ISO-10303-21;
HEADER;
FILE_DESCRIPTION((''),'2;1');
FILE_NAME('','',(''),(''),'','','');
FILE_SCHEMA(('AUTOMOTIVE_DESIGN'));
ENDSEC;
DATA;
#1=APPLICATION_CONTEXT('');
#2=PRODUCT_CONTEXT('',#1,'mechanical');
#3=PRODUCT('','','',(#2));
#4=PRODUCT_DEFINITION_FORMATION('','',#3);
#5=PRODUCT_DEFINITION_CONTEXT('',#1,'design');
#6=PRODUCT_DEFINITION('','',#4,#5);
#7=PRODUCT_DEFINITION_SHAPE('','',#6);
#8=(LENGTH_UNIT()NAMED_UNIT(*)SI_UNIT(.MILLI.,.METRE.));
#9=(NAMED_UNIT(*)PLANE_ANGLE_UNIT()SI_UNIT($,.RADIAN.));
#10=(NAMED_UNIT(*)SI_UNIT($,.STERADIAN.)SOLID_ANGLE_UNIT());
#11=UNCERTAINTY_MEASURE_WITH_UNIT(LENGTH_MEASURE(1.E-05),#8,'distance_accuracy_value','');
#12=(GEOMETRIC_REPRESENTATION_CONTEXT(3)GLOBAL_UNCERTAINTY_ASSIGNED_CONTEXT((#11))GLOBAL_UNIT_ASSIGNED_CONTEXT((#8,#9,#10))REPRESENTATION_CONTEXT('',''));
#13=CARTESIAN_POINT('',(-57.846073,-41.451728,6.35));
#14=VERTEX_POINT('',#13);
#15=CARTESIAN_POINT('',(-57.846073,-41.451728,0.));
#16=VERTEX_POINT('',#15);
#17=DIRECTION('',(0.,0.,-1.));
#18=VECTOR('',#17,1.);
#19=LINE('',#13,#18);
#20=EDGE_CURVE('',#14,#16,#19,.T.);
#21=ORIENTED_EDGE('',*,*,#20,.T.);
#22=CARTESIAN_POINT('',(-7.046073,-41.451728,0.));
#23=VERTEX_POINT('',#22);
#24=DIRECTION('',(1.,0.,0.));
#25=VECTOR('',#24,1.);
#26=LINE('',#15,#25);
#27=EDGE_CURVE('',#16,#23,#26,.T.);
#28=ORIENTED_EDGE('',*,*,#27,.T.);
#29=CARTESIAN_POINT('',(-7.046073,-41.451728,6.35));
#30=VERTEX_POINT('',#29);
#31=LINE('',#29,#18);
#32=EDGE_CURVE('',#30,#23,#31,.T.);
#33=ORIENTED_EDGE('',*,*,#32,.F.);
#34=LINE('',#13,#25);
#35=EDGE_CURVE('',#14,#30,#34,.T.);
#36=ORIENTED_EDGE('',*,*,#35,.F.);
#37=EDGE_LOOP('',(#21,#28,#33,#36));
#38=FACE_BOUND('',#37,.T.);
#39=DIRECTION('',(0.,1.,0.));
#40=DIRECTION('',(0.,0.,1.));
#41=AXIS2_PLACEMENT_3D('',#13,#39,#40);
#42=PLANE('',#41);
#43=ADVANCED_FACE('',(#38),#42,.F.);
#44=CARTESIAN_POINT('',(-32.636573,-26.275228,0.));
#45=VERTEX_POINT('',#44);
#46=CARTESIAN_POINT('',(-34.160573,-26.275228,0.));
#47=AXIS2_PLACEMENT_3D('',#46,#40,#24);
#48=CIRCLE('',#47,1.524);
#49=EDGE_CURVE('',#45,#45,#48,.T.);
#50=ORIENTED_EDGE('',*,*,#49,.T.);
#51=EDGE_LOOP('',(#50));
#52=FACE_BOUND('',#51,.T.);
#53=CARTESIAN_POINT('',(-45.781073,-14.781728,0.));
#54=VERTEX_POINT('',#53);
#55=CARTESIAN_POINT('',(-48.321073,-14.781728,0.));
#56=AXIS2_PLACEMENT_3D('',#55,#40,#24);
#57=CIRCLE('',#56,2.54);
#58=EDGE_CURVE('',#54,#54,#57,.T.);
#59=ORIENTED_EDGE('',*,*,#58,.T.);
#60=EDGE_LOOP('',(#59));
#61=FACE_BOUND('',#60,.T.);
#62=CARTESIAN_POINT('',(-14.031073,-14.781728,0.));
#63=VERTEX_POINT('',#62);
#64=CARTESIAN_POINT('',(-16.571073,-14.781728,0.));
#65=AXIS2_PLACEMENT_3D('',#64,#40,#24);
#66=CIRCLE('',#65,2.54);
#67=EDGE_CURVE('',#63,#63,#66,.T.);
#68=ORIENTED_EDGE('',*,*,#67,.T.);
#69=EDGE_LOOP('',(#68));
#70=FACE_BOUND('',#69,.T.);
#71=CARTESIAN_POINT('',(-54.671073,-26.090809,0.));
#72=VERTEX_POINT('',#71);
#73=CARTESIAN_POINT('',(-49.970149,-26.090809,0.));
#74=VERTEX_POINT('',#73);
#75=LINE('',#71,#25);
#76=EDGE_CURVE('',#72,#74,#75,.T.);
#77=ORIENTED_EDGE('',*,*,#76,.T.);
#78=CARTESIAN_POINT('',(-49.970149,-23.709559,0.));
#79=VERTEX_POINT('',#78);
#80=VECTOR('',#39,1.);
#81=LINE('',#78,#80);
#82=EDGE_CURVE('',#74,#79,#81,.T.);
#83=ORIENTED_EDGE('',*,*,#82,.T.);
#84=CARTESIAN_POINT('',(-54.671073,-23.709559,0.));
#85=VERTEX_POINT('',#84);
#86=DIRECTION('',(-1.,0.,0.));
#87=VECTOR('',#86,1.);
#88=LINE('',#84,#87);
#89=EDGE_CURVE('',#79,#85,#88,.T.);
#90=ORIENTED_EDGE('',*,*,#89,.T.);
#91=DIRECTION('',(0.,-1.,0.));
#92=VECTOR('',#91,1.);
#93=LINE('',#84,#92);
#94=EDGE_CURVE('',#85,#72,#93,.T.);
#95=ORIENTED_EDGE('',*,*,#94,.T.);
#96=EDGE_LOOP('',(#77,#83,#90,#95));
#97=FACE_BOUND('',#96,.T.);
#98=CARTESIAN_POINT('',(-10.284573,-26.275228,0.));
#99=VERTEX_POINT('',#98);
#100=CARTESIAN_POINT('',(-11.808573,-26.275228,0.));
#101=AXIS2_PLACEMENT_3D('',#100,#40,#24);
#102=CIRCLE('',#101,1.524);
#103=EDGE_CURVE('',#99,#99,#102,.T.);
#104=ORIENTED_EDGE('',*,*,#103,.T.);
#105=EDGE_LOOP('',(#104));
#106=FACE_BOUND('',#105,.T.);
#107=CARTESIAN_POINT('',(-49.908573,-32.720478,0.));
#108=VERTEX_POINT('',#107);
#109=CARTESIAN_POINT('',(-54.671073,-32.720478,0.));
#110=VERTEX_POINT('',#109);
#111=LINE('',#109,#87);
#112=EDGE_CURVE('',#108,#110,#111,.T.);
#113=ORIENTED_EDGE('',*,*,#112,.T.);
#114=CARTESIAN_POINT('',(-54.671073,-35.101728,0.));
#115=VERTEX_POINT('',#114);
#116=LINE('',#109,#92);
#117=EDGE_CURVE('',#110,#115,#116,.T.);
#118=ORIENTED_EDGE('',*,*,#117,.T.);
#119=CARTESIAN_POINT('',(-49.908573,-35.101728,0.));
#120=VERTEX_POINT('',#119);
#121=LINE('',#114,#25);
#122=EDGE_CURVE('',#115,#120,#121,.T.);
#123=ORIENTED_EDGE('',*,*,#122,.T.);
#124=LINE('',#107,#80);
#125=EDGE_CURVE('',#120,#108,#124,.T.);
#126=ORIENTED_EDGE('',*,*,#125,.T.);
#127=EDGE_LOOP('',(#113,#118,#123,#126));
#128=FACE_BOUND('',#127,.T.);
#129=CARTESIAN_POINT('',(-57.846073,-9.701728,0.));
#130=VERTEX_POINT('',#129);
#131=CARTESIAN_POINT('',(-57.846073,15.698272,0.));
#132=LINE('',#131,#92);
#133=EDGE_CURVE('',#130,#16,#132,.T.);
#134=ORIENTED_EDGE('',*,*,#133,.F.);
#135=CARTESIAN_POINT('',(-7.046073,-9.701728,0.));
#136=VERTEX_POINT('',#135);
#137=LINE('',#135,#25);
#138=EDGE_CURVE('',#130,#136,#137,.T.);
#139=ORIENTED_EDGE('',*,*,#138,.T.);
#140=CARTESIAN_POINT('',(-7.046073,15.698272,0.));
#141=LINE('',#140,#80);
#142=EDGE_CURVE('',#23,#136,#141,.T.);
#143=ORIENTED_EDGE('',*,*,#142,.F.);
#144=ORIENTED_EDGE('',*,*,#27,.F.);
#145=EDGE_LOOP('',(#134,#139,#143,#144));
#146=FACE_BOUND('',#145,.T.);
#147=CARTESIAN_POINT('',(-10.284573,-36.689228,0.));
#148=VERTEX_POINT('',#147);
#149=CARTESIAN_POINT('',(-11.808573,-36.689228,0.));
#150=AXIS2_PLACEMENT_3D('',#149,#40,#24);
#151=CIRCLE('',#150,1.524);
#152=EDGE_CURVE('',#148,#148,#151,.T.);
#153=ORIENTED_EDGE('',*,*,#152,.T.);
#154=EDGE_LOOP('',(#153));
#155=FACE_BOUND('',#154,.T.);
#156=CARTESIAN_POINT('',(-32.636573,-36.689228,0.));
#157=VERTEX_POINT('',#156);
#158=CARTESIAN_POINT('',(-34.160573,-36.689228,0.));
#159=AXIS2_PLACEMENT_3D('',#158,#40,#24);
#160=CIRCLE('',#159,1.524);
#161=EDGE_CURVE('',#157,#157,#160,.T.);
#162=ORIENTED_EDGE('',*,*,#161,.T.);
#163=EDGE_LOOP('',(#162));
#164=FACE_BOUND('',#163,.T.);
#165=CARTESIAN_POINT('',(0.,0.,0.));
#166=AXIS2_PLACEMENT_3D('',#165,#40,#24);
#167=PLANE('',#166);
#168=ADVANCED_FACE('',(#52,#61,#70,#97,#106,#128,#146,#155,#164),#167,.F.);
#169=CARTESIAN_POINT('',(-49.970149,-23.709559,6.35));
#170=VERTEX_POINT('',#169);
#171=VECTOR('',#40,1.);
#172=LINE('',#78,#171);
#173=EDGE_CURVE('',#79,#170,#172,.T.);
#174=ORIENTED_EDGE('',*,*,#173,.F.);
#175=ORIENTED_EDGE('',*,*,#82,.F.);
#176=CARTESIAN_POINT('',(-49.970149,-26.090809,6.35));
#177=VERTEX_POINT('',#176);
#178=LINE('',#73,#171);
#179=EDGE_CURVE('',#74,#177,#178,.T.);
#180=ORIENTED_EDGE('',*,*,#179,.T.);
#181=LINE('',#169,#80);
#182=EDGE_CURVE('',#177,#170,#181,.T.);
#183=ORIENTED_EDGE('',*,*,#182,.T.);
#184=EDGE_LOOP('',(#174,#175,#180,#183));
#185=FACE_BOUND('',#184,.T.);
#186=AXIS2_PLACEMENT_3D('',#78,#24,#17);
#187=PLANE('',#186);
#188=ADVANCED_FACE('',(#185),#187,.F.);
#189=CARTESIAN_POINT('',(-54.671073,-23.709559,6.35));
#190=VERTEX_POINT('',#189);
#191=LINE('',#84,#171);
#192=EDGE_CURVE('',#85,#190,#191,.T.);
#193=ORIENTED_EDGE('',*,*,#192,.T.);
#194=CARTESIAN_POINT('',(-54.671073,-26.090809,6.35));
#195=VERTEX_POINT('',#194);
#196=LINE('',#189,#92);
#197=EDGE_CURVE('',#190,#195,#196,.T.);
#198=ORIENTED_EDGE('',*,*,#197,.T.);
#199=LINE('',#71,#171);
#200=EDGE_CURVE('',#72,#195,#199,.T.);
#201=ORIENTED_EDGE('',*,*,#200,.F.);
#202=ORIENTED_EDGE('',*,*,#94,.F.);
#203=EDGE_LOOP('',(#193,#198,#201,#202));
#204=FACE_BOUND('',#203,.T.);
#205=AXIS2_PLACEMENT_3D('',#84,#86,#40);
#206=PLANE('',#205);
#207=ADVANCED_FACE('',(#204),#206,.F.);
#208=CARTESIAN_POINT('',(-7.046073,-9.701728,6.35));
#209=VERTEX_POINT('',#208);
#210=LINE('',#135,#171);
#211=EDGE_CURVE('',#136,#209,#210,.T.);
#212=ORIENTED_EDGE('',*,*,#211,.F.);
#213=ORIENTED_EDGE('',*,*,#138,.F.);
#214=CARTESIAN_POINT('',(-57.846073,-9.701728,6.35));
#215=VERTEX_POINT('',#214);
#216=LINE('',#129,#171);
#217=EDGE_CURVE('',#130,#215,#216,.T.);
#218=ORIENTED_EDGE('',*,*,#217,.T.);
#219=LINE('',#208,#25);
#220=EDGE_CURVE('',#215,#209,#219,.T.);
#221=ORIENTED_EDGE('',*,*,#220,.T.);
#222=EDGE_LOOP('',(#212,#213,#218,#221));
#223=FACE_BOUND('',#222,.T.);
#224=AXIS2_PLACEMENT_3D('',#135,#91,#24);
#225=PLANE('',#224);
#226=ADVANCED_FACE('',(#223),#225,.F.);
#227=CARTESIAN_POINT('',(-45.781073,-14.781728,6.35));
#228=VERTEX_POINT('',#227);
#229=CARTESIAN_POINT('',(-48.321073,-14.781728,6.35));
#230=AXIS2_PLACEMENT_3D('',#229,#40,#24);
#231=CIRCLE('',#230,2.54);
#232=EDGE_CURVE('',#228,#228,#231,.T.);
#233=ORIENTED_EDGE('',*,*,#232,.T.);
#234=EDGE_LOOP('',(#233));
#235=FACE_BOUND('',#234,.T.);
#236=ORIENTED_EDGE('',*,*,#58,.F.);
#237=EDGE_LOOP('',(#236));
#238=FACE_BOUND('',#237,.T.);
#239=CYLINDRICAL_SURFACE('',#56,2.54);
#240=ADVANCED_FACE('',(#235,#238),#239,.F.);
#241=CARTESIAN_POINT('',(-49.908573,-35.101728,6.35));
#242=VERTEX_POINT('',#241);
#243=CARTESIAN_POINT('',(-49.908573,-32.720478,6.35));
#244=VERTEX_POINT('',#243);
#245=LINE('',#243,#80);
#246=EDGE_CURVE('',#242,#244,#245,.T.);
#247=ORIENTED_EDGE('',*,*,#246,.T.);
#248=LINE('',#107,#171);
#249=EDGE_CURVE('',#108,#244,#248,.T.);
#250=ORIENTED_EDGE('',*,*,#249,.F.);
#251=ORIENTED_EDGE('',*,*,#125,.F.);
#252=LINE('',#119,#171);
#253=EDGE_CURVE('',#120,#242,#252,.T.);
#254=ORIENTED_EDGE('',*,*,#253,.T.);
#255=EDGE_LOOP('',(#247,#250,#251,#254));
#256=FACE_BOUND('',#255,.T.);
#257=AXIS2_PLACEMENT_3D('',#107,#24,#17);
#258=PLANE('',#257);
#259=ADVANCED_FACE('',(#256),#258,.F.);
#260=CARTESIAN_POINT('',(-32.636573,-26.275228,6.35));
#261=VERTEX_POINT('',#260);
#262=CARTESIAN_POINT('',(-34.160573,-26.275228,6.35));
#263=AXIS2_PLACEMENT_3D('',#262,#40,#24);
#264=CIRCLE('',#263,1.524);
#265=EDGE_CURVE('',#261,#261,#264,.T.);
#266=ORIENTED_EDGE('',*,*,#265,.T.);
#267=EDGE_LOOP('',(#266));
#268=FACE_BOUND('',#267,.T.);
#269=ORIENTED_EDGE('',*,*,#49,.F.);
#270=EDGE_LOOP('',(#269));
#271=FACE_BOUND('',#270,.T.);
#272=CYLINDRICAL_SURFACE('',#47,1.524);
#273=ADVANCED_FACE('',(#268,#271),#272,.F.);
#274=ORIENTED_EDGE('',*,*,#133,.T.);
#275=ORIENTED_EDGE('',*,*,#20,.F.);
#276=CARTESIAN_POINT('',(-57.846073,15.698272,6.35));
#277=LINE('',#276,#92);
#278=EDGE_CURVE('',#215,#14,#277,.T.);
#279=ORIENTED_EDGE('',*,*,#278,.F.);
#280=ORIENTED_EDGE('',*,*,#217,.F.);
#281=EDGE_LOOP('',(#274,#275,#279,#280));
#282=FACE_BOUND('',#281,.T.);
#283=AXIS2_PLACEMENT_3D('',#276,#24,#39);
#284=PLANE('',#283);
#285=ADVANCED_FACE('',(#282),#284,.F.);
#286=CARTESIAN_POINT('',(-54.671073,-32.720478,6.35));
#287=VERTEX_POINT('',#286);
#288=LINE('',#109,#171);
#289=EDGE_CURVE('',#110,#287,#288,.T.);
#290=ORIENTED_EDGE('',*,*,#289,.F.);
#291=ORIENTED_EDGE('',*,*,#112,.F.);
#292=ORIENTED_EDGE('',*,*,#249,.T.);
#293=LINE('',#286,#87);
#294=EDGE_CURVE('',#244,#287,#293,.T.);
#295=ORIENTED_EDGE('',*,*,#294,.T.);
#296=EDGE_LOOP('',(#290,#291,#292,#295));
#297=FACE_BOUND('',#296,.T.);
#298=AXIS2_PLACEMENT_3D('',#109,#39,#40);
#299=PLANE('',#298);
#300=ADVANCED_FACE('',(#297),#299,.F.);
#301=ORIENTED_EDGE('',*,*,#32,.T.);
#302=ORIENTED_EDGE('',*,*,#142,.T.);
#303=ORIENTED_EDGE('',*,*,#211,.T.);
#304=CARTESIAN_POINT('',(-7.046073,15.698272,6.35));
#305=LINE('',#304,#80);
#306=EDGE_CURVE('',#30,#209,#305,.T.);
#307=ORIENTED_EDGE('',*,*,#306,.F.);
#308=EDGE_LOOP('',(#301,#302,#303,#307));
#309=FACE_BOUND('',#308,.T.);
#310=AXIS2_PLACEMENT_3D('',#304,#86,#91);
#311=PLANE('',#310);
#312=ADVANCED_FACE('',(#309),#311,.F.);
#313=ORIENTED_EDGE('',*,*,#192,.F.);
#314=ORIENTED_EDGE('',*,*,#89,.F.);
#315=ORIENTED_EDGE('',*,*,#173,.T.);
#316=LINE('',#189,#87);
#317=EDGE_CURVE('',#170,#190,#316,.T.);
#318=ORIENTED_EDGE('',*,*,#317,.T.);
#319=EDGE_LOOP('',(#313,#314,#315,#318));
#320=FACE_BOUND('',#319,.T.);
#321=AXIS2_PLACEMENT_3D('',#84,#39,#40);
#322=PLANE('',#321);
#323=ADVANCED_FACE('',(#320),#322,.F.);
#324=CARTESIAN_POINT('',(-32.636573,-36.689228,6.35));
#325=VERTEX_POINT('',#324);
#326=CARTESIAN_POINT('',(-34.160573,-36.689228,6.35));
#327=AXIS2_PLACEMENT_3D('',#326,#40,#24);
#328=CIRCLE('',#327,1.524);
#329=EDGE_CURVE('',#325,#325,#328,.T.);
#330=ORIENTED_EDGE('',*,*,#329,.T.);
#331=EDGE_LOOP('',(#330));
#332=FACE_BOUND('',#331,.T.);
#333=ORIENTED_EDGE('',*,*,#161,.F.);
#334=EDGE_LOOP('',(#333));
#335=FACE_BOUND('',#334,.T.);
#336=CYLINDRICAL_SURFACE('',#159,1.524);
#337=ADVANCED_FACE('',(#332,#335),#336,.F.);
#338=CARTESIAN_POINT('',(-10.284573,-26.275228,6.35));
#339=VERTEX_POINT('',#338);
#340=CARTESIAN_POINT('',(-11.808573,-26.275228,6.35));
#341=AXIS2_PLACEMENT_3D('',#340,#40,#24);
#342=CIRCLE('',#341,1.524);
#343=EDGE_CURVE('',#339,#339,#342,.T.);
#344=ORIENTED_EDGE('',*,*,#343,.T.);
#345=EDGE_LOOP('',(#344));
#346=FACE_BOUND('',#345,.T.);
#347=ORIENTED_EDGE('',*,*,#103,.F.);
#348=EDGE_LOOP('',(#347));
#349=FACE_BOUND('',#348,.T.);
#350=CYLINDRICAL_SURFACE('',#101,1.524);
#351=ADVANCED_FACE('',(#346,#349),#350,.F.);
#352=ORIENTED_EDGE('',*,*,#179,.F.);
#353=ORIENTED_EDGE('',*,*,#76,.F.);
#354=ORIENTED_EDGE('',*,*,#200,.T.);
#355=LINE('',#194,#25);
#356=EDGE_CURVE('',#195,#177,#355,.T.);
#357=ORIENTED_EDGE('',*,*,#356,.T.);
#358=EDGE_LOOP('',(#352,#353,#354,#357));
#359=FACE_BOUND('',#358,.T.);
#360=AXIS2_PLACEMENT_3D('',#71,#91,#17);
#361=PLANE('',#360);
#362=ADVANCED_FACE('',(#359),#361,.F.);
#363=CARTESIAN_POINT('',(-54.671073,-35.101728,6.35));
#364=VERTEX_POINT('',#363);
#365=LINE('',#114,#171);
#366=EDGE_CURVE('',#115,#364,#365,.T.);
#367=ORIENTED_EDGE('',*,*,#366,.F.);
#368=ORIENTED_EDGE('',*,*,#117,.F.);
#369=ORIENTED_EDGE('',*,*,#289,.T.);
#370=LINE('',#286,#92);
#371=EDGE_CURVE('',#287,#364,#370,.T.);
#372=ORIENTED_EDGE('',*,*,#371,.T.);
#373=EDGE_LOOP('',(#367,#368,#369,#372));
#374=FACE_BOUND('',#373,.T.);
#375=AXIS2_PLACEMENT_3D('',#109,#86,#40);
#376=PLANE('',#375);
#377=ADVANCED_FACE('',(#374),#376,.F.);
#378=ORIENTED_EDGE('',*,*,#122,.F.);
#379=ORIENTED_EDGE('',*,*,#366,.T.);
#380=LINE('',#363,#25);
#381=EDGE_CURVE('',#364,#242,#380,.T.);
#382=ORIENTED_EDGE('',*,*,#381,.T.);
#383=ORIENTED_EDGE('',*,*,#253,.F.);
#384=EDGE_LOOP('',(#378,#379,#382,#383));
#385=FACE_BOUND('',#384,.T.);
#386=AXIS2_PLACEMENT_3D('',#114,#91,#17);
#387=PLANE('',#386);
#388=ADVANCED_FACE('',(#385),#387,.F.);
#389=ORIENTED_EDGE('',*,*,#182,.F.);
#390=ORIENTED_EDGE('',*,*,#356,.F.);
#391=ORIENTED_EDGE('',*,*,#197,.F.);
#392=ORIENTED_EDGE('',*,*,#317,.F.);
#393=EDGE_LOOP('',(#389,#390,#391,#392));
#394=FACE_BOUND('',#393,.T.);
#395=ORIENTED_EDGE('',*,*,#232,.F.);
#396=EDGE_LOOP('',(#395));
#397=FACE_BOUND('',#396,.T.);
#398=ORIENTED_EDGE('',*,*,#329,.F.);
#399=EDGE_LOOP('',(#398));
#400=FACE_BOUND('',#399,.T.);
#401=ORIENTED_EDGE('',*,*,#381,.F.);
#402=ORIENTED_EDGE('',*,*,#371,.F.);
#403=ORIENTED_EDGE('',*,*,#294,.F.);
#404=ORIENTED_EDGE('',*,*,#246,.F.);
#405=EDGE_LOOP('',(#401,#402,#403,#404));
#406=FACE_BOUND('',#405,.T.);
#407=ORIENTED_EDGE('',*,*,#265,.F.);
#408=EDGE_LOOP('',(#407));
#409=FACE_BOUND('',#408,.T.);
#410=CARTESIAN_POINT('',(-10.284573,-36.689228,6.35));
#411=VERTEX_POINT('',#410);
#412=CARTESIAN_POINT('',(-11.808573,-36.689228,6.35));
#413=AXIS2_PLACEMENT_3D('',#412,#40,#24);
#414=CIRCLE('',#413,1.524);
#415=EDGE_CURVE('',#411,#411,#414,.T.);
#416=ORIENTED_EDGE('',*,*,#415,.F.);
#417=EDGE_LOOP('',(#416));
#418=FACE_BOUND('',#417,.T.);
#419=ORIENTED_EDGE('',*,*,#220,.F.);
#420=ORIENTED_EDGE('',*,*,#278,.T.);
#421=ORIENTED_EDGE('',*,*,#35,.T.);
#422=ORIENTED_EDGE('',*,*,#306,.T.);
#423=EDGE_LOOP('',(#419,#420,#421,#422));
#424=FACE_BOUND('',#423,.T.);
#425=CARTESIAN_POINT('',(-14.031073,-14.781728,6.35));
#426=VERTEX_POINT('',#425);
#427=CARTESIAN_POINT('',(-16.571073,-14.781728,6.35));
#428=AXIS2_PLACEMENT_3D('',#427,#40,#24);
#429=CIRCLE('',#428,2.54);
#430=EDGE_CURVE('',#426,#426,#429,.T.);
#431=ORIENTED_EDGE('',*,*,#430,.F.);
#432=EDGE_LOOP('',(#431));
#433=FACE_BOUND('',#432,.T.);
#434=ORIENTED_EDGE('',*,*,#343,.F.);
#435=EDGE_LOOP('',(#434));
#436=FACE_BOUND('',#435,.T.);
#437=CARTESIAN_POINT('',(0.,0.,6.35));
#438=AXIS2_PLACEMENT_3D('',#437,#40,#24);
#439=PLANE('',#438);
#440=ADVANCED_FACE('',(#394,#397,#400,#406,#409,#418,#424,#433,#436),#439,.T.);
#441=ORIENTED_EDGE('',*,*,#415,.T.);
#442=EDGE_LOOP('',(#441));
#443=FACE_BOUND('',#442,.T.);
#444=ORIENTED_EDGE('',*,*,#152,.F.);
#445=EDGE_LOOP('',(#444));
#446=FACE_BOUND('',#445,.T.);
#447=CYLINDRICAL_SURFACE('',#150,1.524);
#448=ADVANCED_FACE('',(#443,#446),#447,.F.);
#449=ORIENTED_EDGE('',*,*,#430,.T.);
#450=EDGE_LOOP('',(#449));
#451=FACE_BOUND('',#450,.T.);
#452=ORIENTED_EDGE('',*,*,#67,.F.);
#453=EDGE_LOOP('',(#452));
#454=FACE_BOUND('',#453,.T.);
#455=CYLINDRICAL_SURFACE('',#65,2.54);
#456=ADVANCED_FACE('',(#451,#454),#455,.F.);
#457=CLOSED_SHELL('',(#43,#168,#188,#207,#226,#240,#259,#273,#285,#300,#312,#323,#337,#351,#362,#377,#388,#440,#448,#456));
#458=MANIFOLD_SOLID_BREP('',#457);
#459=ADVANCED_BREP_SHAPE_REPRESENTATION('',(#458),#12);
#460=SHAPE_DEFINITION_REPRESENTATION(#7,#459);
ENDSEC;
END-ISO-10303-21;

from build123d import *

# Parameters (mm, degrees)
SKETCH1_W           = 50.8
SKETCH1_H           = 57.15
BOSS_EXTRUDE1_DEPTH = 6.35
SKETCH5_R           = 1.524
SKETCH5_R_2         = 2.54
CUT_EXTRUDE1_DEPTH  = 72.447438113
SKETCH6_W           = 4.7625
SKETCH6_H           = 2.38125
SKETCH6_W_2         = 4.700923451
CUT_EXTRUDE2_DEPTH  = 72.447438113
SKETCH7_W           = 50.8
SKETCH7_H           = 25.4
CUT_EXTRUDE3_DEPTH  = 72.447438113


with BuildPart() as part:
    # Sketch1 → Boss-Extrude1 (new body)
    with BuildSketch(Plane.XY):
        with Locations((-32.446072824, -12.876728212)):
            Rectangle(SKETCH1_W, SKETCH1_H)
    extrude(amount=BOSS_EXTRUDE1_DEPTH)

    # Sketch5 → Cut-Extrude1 (cut, through all)
    with BuildSketch(Plane.XY.offset(6.35)):
        with Locations((-11.808572824, -26.275228212)):
            Circle(SKETCH5_R)
        with Locations((-11.808572824, -36.689228212)):
            Circle(SKETCH5_R)
        with Locations((-34.160572824, -26.275228212)):
            Circle(SKETCH5_R)
        with Locations((-34.160572824, -36.689228212)):
            Circle(SKETCH5_R)
        with Locations((-48.321072824, 10.618271788)):
            Circle(SKETCH5_R_2)
        with Locations((-16.571072824, 10.618271788)):
            Circle(SKETCH5_R_2)
        with Locations((-48.321072824, -2.081728212)):
            Circle(SKETCH5_R_2)
        with Locations((-16.571072824, -2.081728212)):
            Circle(SKETCH5_R_2)
        with Locations((-48.321072824, -14.781728212)):
            Circle(SKETCH5_R_2)
        with Locations((-16.571072824, -14.781728212)):
            Circle(SKETCH5_R_2)
    extrude(amount=-CUT_EXTRUDE1_DEPTH, mode=Mode.SUBTRACT)

    # Sketch6 → Cut-Extrude2 (cut, through all)
    with BuildSketch(Plane.XY.offset(6.35)):
        with Locations((-52.289822824, -33.911103212)):
            Rectangle(SKETCH6_W, SKETCH6_H)
        with Locations((-52.320611099, -24.900183987)):
            Rectangle(SKETCH6_W_2, SKETCH6_H)
    extrude(amount=-CUT_EXTRUDE2_DEPTH, mode=Mode.SUBTRACT)

    # Sketch7 → Cut-Extrude3 (cut, through all)
    with BuildSketch(Plane.XY.offset(6.35)):
        with Locations((-32.446072824, 2.998271788)):
            Rectangle(SKETCH7_W, SKETCH7_H)
    extrude(amount=-CUT_EXTRUDE3_DEPTH, mode=Mode.SUBTRACT)


solid = part.part
